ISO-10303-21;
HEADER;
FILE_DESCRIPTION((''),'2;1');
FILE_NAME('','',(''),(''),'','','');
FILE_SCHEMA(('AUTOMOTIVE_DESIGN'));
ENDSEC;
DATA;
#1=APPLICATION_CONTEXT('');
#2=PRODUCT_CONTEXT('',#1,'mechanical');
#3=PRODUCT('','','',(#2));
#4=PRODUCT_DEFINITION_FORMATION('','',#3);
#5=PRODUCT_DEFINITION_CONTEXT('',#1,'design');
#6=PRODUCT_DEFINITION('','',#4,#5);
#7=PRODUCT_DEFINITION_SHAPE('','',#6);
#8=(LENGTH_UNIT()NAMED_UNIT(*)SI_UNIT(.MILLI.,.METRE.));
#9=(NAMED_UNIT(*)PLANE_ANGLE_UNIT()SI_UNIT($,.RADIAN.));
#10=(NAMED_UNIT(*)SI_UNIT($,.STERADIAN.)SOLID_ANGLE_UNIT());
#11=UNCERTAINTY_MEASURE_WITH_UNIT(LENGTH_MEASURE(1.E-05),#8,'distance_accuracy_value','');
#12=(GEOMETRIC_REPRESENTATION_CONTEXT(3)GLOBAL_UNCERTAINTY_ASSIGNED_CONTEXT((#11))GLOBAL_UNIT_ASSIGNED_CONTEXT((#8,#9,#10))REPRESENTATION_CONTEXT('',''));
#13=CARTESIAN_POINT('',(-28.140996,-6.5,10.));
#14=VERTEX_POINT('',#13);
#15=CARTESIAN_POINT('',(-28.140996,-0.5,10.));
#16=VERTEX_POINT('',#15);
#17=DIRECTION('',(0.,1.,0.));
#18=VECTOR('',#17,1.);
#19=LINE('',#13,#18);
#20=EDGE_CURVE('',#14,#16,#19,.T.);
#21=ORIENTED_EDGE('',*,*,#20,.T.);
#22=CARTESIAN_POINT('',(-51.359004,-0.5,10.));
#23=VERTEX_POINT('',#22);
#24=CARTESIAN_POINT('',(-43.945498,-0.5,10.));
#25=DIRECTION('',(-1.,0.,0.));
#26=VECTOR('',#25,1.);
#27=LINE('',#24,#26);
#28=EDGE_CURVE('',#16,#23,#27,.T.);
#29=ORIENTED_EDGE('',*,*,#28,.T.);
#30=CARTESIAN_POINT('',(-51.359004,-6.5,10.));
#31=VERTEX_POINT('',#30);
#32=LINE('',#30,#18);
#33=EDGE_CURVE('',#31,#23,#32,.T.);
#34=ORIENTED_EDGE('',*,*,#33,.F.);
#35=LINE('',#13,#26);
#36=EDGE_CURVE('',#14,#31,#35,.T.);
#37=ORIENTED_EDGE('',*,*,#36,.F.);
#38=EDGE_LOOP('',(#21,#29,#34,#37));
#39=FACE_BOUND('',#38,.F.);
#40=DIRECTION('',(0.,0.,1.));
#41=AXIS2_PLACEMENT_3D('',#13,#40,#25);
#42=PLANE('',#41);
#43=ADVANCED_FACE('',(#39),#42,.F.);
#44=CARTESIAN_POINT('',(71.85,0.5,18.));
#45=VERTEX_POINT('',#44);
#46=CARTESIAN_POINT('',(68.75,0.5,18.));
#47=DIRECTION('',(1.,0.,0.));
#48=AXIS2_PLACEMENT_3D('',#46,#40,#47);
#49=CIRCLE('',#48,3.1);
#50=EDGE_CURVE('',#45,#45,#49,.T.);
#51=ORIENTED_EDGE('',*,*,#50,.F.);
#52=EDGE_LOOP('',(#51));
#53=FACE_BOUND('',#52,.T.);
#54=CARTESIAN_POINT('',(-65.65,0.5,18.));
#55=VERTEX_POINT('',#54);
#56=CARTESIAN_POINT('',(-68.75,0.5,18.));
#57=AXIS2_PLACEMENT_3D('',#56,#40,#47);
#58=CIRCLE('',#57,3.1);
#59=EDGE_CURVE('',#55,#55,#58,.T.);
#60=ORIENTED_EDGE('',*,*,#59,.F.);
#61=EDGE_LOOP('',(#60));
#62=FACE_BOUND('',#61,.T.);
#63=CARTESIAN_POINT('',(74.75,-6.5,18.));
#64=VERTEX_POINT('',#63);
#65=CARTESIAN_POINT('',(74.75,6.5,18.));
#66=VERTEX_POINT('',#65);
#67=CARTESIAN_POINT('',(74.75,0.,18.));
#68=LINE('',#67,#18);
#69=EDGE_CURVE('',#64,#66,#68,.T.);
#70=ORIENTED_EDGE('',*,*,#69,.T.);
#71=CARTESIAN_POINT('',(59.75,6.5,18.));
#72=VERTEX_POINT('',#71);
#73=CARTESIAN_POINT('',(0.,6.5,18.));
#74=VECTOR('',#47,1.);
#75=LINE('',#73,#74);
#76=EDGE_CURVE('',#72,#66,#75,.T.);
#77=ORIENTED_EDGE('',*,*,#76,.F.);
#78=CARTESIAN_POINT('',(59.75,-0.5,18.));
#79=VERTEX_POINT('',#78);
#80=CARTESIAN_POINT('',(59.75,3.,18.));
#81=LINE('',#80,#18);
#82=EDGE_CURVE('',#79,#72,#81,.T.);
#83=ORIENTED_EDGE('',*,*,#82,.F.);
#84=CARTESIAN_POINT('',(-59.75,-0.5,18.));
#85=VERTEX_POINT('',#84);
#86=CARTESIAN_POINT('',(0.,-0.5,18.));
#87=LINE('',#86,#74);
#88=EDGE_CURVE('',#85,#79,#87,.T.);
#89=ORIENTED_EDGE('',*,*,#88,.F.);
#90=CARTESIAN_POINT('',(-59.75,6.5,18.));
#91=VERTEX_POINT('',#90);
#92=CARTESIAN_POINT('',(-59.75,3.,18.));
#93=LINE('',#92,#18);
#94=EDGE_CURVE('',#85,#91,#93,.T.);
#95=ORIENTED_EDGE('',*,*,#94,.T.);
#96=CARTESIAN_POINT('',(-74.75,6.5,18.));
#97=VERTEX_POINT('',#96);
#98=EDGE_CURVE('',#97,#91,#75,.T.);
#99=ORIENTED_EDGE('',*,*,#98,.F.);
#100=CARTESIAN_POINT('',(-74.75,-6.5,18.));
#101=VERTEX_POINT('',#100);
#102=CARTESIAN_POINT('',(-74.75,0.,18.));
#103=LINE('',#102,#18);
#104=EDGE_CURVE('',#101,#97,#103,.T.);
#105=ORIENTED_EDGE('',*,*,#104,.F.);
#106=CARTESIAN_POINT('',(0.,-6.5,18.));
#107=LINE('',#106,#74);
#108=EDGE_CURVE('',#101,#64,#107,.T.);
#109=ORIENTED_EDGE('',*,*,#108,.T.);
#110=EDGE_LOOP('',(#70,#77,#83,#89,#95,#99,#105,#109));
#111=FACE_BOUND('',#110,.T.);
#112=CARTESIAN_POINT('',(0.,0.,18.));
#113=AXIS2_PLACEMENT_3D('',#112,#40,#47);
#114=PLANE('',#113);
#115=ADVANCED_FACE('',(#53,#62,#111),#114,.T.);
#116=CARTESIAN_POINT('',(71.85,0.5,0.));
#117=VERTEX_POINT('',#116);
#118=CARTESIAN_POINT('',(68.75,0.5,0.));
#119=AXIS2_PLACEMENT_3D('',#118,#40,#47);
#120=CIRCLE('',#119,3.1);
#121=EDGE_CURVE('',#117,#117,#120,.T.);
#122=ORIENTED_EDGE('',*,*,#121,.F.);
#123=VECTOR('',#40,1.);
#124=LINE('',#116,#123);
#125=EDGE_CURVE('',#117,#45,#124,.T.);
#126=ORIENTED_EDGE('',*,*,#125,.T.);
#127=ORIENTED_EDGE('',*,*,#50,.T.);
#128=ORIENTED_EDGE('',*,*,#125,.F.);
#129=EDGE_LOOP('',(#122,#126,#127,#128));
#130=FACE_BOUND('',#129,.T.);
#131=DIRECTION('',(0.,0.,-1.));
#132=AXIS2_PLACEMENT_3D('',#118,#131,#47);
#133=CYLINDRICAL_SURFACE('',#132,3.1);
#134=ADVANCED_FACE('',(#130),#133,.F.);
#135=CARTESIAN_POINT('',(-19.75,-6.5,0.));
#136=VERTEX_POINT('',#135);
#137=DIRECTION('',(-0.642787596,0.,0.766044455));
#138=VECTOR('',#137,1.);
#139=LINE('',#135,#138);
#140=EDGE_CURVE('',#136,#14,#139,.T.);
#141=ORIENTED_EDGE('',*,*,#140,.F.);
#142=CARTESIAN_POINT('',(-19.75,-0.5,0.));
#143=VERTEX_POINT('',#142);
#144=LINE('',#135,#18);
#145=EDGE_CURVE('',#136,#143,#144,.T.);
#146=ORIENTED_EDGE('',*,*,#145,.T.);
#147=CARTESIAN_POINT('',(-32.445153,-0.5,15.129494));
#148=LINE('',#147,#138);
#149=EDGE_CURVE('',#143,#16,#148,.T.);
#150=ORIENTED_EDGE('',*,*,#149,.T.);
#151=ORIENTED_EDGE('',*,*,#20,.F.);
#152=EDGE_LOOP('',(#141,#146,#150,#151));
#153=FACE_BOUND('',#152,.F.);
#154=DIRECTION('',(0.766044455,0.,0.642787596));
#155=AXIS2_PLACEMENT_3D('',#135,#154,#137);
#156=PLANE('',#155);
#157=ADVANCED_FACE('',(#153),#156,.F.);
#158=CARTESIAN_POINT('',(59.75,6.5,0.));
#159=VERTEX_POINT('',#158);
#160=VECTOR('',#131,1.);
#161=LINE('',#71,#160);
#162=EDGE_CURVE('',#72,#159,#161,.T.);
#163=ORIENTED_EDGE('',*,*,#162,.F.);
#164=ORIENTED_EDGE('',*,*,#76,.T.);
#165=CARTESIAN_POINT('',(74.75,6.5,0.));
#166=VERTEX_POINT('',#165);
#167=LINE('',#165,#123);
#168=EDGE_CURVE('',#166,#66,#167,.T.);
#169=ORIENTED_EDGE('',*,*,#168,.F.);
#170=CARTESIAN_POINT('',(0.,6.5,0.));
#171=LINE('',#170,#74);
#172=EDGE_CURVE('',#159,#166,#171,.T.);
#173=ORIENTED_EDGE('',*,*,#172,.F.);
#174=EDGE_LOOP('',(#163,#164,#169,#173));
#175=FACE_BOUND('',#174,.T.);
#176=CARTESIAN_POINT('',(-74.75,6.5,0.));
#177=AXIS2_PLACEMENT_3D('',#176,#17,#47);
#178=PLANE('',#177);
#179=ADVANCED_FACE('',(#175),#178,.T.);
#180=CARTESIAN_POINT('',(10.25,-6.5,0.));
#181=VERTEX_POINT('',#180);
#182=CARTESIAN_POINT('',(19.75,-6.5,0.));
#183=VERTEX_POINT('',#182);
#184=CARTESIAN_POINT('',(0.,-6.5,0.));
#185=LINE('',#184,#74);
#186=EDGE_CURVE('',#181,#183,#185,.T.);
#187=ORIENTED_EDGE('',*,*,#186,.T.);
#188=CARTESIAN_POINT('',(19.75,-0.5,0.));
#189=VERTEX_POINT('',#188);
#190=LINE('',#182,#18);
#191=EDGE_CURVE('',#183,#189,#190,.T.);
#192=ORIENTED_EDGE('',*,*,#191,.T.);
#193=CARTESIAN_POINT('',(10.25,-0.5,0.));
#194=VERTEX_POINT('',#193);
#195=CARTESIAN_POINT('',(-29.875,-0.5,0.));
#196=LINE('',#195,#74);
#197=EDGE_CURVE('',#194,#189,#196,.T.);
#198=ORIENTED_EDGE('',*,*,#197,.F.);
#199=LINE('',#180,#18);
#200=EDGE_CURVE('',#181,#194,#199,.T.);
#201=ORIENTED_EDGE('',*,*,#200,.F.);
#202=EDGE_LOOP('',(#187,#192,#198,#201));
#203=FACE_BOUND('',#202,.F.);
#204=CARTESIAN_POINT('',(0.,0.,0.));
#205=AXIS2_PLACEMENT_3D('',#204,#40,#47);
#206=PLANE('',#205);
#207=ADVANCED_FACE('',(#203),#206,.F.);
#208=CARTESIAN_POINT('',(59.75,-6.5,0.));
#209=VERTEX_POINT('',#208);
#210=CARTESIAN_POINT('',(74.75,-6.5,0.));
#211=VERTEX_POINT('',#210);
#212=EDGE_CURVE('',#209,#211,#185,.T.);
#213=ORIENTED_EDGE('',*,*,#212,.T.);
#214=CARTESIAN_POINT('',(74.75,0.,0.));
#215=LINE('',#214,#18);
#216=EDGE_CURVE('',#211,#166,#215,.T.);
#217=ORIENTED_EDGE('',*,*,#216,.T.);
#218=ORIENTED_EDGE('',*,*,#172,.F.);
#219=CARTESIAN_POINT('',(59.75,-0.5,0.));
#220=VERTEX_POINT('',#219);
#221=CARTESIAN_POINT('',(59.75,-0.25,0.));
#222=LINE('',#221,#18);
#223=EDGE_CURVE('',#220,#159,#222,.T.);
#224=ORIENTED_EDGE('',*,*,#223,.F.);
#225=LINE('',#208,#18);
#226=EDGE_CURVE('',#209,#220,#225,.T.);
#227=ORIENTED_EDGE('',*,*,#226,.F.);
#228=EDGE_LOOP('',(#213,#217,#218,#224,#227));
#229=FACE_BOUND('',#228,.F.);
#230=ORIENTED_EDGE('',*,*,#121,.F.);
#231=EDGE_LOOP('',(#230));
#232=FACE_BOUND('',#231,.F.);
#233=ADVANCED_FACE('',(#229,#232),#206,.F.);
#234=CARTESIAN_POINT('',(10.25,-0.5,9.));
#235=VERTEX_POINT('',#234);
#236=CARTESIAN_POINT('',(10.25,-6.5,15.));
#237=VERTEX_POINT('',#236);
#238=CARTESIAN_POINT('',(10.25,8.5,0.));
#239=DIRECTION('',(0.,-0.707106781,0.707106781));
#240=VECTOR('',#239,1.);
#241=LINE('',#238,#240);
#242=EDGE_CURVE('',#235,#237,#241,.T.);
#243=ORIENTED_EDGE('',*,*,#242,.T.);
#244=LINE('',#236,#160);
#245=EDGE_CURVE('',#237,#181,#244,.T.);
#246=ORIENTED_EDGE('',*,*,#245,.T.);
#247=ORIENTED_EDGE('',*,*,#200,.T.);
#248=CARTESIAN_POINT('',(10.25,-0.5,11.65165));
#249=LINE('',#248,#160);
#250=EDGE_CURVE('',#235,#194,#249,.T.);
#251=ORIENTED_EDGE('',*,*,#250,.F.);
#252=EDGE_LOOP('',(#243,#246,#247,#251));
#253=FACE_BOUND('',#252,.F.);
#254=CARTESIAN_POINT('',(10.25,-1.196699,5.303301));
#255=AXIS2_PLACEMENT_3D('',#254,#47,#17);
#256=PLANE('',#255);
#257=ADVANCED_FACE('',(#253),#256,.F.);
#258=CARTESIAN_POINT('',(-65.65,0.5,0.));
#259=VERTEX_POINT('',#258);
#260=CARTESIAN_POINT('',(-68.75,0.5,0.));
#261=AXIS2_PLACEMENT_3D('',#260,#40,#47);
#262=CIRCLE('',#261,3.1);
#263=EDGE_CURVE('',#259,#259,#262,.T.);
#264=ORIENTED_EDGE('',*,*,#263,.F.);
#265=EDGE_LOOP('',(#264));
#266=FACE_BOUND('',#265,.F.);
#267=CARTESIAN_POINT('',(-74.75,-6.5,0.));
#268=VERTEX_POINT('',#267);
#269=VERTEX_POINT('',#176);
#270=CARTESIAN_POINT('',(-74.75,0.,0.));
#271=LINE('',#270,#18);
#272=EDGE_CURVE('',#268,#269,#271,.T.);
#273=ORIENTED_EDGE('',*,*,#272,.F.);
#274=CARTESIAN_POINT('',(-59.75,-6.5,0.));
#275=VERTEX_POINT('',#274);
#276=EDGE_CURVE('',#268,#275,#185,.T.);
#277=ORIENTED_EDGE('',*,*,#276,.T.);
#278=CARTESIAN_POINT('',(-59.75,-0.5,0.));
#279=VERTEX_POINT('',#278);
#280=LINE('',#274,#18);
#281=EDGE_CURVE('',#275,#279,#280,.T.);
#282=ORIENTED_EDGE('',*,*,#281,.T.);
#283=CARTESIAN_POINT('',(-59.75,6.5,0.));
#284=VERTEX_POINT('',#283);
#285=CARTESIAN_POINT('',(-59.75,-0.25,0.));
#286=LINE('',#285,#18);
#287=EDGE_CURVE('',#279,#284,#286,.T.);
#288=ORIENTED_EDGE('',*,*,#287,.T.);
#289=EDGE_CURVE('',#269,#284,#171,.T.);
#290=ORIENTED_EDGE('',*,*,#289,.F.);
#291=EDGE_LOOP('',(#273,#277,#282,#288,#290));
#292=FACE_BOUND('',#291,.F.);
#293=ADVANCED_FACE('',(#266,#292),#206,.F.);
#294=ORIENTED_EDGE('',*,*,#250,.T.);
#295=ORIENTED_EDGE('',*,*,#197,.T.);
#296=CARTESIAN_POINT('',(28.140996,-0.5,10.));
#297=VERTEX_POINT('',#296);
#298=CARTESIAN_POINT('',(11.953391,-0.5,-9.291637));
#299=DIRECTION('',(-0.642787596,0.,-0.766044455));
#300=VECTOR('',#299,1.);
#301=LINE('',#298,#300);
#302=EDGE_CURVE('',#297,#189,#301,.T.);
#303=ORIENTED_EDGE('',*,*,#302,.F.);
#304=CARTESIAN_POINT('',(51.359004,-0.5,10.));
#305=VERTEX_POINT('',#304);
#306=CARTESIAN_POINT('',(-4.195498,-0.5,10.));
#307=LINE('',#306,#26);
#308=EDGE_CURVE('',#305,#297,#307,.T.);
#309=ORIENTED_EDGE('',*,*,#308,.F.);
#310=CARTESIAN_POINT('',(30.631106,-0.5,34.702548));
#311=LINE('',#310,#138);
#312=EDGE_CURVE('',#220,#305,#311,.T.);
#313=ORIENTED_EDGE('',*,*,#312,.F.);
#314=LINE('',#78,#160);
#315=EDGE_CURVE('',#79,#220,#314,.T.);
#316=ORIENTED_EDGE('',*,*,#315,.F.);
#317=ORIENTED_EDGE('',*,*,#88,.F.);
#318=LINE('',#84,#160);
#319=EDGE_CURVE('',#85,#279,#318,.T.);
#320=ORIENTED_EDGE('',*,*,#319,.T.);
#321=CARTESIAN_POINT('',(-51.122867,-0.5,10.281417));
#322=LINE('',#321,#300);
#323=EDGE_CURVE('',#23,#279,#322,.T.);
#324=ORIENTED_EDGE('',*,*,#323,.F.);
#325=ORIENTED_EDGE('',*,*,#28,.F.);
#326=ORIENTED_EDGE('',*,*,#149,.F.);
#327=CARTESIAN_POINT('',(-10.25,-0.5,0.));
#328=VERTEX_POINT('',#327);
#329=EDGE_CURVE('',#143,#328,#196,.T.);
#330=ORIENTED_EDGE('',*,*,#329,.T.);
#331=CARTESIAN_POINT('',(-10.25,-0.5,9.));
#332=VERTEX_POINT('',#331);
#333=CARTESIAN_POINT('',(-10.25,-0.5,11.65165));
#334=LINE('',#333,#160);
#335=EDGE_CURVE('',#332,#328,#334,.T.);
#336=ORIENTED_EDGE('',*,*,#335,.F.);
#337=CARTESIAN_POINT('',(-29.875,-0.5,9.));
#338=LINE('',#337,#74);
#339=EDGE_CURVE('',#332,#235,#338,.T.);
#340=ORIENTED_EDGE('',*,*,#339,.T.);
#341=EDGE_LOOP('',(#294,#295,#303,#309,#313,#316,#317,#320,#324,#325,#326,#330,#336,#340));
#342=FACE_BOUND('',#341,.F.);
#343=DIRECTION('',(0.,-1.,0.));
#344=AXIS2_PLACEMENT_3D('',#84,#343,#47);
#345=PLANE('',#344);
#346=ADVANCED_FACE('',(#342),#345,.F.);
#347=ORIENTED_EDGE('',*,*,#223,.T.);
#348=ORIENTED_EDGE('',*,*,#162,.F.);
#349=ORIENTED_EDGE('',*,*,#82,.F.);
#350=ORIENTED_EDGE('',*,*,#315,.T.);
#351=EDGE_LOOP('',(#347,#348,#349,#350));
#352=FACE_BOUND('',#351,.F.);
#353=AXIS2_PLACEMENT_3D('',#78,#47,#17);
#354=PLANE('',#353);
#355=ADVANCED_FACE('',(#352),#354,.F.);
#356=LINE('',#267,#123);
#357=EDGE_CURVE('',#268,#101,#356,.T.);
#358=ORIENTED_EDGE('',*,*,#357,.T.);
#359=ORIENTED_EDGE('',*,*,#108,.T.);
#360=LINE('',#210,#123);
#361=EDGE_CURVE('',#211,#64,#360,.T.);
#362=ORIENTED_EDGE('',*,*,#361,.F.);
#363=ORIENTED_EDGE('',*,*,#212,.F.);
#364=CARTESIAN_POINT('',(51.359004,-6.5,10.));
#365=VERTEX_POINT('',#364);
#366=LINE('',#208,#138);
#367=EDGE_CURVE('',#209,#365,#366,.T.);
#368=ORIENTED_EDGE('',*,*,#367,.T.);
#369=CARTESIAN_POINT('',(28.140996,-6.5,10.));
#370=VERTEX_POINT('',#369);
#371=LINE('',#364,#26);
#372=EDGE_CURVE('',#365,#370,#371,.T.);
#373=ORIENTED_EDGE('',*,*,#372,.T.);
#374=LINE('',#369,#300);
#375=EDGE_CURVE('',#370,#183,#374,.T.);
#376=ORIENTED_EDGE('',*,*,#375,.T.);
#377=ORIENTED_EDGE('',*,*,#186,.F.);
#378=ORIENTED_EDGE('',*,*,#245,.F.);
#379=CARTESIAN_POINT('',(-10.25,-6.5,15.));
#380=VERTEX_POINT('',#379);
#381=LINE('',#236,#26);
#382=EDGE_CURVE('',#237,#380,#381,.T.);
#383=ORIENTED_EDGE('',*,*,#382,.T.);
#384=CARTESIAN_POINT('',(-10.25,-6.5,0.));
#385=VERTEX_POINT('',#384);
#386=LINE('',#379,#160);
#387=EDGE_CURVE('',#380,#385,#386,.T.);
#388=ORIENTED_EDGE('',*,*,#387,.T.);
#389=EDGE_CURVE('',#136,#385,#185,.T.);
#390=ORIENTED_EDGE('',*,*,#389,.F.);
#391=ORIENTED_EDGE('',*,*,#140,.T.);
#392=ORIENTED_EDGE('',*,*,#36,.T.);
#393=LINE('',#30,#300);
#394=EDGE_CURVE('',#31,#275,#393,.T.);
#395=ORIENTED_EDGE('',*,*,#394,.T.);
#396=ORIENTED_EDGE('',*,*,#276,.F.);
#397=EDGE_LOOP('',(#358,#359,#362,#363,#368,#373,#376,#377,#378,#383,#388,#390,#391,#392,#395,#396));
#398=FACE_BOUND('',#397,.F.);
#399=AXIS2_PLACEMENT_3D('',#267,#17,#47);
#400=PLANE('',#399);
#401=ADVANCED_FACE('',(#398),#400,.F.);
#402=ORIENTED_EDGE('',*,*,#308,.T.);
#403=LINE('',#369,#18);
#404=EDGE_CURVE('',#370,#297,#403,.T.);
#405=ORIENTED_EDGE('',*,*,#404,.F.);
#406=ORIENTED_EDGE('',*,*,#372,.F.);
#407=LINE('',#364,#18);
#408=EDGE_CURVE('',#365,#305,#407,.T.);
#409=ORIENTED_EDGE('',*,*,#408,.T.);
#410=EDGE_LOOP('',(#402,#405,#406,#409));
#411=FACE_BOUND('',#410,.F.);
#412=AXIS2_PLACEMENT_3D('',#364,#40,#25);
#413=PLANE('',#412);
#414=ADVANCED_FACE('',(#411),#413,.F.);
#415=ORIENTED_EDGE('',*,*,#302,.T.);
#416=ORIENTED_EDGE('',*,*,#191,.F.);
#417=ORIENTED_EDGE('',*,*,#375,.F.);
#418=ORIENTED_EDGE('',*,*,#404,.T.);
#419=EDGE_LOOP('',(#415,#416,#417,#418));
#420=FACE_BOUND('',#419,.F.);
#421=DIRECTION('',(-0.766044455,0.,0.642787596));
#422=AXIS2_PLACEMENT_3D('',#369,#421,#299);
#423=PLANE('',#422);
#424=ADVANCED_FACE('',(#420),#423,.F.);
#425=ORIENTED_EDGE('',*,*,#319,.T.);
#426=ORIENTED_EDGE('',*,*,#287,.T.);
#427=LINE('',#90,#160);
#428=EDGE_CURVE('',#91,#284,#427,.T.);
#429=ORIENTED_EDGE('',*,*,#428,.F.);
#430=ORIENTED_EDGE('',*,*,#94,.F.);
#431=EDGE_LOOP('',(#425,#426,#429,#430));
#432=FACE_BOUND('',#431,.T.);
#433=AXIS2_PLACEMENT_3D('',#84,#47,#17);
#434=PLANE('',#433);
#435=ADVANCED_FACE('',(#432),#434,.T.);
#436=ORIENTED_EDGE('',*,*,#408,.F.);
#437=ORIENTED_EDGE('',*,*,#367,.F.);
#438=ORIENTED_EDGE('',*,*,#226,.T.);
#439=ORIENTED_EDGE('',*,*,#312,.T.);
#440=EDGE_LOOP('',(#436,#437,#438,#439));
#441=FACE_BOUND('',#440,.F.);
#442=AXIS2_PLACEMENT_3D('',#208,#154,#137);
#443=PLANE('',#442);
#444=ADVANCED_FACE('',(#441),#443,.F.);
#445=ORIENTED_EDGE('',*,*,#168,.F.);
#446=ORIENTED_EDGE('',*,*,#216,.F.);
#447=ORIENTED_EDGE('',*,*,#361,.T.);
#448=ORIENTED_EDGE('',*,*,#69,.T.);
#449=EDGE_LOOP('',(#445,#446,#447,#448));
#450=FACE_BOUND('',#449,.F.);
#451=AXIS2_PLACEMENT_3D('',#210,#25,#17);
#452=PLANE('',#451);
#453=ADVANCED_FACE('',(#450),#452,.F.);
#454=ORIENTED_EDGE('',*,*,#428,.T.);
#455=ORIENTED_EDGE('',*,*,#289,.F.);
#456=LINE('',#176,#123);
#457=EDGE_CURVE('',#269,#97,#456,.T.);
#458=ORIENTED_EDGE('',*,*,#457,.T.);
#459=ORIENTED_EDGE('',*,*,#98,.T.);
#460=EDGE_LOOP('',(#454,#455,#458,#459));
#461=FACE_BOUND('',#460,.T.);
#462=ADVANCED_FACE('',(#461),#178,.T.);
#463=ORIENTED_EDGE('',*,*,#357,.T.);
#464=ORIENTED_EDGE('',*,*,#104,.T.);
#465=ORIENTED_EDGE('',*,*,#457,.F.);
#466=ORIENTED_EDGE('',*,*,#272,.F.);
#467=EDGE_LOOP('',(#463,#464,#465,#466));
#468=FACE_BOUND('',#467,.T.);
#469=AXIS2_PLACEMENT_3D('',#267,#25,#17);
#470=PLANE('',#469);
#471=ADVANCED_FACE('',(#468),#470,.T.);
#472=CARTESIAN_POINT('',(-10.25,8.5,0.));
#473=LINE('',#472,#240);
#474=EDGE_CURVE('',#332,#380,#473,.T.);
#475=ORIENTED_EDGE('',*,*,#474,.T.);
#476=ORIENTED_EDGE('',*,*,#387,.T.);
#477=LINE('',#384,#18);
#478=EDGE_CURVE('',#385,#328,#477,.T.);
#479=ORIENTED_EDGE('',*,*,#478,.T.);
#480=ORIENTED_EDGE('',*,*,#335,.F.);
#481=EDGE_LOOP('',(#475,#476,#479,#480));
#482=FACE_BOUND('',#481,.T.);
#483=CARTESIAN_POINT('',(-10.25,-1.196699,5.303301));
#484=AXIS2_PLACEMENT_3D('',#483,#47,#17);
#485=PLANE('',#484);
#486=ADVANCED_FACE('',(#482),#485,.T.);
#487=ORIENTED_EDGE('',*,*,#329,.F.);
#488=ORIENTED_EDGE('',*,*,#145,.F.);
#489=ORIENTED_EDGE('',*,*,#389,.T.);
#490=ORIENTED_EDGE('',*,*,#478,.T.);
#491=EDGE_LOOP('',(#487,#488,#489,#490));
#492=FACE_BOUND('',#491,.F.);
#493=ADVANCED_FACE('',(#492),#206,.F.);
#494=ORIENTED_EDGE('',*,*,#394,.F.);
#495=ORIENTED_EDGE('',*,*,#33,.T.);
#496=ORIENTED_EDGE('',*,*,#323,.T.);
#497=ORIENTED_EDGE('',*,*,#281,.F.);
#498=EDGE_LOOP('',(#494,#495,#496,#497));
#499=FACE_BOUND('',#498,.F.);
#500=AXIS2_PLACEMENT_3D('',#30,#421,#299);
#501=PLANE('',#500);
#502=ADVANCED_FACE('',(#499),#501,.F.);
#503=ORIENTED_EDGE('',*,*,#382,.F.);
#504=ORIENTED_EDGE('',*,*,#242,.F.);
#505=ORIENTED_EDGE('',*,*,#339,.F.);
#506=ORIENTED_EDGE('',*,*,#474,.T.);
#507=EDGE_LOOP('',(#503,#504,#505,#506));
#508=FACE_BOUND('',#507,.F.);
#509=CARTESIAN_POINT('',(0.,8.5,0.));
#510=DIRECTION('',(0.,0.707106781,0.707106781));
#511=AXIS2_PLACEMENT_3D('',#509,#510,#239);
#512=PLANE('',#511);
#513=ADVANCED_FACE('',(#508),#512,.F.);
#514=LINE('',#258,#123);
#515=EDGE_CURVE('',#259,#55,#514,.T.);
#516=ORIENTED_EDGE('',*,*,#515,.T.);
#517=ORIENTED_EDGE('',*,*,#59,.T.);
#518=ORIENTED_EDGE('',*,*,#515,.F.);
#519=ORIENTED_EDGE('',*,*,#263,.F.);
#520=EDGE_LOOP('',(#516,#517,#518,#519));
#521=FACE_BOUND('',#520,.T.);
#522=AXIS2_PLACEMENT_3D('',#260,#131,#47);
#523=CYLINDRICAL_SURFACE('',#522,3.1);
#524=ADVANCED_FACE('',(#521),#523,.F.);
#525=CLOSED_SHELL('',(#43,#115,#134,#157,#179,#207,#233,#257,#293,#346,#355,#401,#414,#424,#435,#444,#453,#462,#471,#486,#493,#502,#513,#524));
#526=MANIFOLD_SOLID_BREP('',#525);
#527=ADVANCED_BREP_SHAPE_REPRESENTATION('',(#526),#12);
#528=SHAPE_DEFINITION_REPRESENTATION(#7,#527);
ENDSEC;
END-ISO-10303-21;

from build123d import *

# Parameters (mm, degrees)
F0_W     = 149.5
F0_H     = 13
F0_R     = 3.1
F1_DEPTH = 18
F3_DEPTH = 10.25
F4_W     = 119.5
F4_H     = 7
F5_DEPTH = 18.001
F7_DEPTH = 25


with BuildPart() as f1:
    # F0 (on Top) → F1 (new body)
    with BuildSketch(Plane.XY):
        Rectangle(F0_W, F0_H)
        with Locations((-68.75, 0.5)):
            Circle(F0_R, mode=Mode.SUBTRACT)
        with Locations((68.75, 0.5)):
            Circle(F0_R, mode=Mode.SUBTRACT)
    extrude(amount=F1_DEPTH)

    # F2 (on Right) → F3 (cut, symmetric)
    with BuildSketch(Plane.YZ):
        Polygon((-6.5, 0), (8.5, 0), (-6.5, 15), align=None)
    extrude(amount=F3_DEPTH, both=True, mode=Mode.SUBTRACT)

    # F4 (on face) → F5 (cut, through all)
    with BuildSketch(Plane.XY.offset(18)):
        with Locations((0, 3)):
            Rectangle(F4_W, F4_H)
    extrude(amount=-F5_DEPTH, mode=Mode.SUBTRACT)

    # F6 (on face) → F7 (cut)
    with BuildSketch(Plane.XZ.offset(6.5)):
        Polygon((-51.359004, 10), (-59.75, 0), (-19.75, 0), (-28.140996, 10), align=None)
        Polygon((28.140996, 10), (19.75, 0), (59.75, 0), (51.359004, 10), align=None)
    extrude(amount=-F7_DEPTH, mode=Mode.SUBTRACT)


solid = f1.part
